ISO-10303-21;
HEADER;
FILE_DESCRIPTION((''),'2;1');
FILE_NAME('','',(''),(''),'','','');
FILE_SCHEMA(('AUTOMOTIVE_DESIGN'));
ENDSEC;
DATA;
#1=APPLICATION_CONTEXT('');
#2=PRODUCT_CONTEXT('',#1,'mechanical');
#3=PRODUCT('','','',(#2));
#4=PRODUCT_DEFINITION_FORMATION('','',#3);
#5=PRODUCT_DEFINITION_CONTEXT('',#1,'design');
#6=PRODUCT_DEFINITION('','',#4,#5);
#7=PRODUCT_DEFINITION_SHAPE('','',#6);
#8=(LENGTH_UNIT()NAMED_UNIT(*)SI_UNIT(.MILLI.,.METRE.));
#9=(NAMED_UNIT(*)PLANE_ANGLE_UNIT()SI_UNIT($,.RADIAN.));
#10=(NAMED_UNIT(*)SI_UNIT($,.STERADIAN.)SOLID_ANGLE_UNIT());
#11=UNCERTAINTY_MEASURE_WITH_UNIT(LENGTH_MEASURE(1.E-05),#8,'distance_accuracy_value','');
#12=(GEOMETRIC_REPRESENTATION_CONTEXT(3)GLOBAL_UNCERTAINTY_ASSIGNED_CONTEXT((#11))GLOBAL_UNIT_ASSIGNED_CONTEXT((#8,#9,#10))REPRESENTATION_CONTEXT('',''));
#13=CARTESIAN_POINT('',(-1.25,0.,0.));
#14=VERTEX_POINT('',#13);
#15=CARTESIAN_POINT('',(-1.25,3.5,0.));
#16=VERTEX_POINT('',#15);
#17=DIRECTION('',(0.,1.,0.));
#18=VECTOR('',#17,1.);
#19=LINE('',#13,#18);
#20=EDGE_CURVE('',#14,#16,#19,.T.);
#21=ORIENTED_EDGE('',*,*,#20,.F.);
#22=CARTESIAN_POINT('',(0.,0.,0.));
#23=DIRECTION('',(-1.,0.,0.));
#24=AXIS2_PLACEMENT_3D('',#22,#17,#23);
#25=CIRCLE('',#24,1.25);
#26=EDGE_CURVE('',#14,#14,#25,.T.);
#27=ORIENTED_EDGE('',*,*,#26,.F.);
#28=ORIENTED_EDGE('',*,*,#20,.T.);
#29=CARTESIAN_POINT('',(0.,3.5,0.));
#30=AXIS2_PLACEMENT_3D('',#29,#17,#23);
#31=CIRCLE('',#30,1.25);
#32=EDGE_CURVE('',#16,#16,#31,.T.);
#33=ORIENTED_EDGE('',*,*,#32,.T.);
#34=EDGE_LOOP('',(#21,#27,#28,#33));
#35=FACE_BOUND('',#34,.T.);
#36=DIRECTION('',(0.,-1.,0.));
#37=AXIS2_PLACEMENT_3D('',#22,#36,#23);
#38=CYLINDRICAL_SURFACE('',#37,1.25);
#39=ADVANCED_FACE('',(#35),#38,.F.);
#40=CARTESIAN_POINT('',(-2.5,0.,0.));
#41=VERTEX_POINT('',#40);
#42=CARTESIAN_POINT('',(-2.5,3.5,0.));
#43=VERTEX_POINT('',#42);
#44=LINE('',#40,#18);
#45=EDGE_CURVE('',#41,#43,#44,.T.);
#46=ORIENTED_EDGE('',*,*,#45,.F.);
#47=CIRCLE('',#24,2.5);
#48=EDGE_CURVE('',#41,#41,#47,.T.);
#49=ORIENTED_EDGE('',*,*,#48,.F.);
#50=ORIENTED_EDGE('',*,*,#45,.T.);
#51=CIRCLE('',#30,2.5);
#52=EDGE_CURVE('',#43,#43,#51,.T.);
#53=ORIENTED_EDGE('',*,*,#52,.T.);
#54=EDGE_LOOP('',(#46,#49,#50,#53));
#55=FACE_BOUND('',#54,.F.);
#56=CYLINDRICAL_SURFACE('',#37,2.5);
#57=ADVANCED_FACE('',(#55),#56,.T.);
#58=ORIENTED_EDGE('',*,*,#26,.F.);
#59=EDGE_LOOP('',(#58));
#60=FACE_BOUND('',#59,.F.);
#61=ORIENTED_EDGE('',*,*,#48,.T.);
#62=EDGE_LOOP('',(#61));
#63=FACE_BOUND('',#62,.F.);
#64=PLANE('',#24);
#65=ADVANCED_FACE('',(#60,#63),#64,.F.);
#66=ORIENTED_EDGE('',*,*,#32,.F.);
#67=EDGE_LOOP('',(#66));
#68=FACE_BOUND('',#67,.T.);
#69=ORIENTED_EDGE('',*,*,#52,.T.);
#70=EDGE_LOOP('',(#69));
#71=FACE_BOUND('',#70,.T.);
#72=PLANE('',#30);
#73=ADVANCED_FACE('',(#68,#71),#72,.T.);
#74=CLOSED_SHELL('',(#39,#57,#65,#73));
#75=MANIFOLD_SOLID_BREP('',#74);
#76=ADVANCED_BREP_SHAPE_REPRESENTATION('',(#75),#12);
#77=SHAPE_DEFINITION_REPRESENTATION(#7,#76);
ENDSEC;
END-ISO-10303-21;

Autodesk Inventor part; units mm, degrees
ref_plane "YZ Plane" through (0, 0, 0) normal (1, 0, 0) x (0, 1, 0)
ref_plane "XZ Plane" through (0, 0, 0) normal (0, 1, 0) x (-1, 0, 0)
ref_plane "XY Plane" through (0, 0, 0) normal (0, 0, 1) x (1, 0, 0)
sketch "스케치1" plane through (0, 0, 0) normal (0, 1, 0) x (-1, 0, 0)
  circle A0 centre (0, 0) radius 1.25
  circle A1 centre (0, 0) radius 2.5
  dimension "d0" = 2.5
  dimension "d1" = 5
extrude "돌출1" add sketch "스케치1" along normal blind 3.5
properties part number "라파hat간띄_3D 인쇄"
